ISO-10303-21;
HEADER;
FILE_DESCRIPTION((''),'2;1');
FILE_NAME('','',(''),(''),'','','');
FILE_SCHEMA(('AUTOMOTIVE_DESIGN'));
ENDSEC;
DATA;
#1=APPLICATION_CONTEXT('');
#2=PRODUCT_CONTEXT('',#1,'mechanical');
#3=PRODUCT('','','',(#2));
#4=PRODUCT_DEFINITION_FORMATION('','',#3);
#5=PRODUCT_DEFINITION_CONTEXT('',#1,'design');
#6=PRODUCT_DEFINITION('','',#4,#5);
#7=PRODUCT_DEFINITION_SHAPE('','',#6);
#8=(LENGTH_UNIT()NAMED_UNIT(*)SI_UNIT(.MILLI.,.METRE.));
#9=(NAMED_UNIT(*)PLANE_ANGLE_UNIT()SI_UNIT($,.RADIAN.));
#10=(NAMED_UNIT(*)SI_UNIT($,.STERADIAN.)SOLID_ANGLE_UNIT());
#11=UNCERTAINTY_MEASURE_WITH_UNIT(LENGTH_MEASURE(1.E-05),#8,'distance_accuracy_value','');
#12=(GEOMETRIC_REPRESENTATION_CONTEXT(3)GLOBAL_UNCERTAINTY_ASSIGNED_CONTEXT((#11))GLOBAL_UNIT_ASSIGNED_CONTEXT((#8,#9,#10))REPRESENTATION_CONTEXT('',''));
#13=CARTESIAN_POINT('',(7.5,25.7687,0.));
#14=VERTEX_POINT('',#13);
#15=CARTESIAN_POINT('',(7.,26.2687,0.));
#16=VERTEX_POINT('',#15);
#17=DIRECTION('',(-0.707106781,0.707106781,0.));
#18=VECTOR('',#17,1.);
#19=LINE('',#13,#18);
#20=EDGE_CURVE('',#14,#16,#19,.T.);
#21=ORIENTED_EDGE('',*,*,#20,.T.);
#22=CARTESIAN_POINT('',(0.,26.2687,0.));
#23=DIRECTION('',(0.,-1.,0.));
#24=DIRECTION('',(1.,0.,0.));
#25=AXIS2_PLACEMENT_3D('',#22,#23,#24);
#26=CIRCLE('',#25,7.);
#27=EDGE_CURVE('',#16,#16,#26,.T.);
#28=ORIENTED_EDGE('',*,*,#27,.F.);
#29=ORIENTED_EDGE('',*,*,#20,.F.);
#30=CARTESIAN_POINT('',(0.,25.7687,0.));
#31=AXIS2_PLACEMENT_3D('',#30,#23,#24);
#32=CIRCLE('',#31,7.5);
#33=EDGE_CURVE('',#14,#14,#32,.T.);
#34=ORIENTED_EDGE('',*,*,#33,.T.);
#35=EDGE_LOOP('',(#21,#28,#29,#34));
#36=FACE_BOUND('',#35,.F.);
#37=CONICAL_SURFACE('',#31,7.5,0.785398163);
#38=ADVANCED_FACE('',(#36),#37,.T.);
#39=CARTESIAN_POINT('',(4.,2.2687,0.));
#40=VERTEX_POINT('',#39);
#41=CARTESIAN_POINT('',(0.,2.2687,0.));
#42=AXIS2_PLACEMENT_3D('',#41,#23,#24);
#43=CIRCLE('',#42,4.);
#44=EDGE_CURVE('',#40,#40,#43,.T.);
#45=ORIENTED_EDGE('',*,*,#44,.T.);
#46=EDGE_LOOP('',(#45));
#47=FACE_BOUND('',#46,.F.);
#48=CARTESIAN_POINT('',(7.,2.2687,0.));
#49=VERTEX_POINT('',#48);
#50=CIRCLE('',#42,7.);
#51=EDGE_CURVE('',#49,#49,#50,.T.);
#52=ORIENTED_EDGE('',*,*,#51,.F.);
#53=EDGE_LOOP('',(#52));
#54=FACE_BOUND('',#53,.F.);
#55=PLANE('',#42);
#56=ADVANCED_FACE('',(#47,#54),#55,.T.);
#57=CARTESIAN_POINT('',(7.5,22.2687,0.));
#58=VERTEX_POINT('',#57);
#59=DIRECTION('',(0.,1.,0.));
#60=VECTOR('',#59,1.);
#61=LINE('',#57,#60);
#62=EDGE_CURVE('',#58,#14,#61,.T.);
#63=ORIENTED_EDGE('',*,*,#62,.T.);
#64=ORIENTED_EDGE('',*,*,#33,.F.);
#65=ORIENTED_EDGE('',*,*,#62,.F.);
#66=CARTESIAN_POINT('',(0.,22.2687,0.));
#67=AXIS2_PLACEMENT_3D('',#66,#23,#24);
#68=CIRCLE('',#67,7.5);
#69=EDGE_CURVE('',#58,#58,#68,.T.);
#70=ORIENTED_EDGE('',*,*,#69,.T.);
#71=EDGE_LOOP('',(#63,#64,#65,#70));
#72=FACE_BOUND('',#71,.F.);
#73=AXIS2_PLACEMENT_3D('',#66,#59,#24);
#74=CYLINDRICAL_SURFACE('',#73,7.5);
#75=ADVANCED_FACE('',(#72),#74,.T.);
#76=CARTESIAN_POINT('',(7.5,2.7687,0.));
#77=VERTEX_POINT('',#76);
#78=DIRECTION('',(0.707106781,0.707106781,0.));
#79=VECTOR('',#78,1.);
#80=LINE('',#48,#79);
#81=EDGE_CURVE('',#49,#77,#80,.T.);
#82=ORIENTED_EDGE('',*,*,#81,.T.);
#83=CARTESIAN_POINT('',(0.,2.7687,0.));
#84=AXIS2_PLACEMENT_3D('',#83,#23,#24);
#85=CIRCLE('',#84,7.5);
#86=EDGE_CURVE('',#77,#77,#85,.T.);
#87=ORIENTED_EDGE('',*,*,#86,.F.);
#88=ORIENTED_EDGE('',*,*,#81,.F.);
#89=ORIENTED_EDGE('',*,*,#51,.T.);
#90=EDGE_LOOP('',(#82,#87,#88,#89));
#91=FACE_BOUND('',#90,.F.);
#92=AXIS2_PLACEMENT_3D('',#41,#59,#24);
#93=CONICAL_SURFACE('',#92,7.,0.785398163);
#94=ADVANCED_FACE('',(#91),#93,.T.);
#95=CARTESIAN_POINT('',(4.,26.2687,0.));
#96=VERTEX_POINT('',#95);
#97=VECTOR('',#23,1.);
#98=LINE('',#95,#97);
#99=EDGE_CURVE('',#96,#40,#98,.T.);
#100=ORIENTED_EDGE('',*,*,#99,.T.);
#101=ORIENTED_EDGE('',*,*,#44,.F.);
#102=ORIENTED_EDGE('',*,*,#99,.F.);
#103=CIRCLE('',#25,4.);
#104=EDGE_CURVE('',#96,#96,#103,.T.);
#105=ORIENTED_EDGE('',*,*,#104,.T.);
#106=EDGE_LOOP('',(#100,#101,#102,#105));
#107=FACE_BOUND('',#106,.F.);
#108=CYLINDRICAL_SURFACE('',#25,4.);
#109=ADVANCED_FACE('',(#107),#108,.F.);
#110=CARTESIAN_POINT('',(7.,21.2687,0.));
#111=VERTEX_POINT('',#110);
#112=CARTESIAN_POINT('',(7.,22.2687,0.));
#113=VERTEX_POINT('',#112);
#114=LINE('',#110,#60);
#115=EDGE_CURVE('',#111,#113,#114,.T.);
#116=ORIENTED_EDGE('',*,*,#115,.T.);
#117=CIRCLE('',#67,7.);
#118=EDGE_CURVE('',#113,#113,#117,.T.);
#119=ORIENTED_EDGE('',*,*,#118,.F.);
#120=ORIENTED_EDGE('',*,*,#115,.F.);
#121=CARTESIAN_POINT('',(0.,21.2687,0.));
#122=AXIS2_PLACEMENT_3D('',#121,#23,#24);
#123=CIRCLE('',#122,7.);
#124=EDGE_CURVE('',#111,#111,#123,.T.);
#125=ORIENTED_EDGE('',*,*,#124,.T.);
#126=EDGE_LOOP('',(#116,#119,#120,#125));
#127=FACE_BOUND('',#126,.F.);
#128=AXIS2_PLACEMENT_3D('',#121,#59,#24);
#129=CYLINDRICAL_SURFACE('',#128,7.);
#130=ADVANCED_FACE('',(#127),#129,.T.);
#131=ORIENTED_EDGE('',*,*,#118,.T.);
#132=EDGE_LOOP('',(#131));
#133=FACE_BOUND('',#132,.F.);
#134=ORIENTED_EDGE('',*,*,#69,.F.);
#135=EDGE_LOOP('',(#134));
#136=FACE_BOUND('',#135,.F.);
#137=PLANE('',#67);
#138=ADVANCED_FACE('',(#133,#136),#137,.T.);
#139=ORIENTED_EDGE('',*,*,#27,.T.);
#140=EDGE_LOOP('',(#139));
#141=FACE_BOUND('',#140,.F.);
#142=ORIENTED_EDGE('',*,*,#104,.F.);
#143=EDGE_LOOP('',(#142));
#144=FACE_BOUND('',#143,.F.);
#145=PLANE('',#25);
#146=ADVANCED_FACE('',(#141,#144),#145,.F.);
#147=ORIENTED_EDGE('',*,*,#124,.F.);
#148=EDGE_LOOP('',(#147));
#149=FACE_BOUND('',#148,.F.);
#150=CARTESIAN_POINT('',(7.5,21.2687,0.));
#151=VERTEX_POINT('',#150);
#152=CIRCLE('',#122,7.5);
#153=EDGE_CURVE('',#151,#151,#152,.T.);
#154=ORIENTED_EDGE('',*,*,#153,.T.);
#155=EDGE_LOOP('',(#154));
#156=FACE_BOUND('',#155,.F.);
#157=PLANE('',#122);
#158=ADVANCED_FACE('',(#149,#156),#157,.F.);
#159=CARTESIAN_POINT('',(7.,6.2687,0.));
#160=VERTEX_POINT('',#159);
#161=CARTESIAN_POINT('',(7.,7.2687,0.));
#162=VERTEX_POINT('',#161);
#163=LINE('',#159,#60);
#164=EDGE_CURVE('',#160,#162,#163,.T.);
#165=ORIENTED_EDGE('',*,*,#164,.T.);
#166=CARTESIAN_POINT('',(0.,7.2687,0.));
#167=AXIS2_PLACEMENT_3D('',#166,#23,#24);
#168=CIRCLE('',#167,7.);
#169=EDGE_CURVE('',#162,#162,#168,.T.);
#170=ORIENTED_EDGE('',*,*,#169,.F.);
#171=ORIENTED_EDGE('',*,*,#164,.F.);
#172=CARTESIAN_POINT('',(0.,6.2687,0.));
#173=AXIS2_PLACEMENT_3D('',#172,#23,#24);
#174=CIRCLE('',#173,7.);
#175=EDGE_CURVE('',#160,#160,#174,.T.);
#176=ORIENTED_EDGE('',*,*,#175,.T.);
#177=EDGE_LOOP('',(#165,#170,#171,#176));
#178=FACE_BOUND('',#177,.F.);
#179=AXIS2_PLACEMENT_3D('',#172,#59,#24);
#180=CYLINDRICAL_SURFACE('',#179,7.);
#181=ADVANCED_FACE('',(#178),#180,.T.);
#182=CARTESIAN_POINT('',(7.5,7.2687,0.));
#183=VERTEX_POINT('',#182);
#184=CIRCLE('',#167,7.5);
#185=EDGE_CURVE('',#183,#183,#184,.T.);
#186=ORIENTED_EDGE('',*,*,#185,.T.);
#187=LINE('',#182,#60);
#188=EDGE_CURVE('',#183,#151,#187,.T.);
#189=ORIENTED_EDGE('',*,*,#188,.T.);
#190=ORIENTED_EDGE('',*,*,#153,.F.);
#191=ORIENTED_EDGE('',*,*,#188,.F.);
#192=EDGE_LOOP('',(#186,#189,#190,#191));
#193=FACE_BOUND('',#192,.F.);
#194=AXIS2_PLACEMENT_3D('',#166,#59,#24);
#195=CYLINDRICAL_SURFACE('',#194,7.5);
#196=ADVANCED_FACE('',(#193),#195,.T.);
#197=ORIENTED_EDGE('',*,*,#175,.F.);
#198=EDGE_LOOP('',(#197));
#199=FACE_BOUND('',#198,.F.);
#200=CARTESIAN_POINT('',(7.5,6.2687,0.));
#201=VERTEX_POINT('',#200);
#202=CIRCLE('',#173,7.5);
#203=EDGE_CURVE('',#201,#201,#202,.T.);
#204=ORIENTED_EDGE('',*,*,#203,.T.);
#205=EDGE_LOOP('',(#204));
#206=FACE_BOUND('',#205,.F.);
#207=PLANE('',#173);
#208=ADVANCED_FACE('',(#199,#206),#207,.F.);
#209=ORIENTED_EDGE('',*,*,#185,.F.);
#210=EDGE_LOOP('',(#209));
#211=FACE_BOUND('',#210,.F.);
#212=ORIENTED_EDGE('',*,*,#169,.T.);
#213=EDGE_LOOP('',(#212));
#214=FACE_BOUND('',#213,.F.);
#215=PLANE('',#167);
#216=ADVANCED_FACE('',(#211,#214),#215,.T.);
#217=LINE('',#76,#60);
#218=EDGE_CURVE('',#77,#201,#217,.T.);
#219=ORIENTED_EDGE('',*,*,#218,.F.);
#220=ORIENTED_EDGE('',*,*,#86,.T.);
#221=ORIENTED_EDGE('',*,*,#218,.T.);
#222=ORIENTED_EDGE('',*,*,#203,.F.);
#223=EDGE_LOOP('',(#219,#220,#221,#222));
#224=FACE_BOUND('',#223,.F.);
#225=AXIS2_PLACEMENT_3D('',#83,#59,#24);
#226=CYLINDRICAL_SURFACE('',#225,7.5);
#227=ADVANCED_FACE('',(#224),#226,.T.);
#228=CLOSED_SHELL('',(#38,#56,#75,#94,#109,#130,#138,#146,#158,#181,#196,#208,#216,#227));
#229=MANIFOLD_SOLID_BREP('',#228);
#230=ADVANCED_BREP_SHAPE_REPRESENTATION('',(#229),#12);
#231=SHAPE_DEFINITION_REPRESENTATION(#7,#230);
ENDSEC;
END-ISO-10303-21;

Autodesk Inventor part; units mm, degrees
ref_plane "YZ Plane" through (0, 0, 0) normal (1, 0, 0) x (0, 1, 0)
ref_plane "XZ Plane" through (0, 0, 0) normal (0, 1, 0) x (-1, 0, 0)
ref_plane "XY Plane" through (0, 0, 0) normal (0, 0, 1) x (1, 0, 0)
sketch "Sketch1" plane through (0, 0, 0) normal (0, 0, 1) x (1, 0, 0)
  line L0 (0, 21.9424) -> (0, -17.6259)
  line L1 (4, 26.2687) -> (4, 2.2687)
  line L2 (4, 2.2687) -> (7, 2.2687)
  line L3 (7, 2.2687) -> (7.5, 2.7687)
  line L4 (7.5, 2.7687) -> (7.5, 6.2687)
  line L5 (7.5, 6.2687) -> (7, 6.2687)
  line L6 (7, 6.2687) -> (7, 7.2687)
  line L7 (7, 7.2687) -> (7.5, 7.2687)
  line L8 (7.5, 7.2687) -> (7.5, 21.2687)
  line L9 (7.5, 21.2687) -> (7, 21.2687)
  line L10 (7, 21.2687) -> (7, 22.2687)
  line L11 (7, 22.2687) -> (7.5, 22.2687)
  line L12 (7.5, 22.2687) -> (7.5, 25.7687)
  line L13 (7.5, 25.7687) -> (7, 26.2687)
  line L14 (7, 26.2687) -> (4, 26.2687)
  dimension "d1" = 1
  dimension "d2" = 1
  dimension "d3" = 0.5
  dimension "d4" = 0.5
  dimension "d5" = 0.5
  dimension "d6" = 0.5
  dimension "d7" = 24
  dimension "d8" = 8
  dimension "d9" = 15
  dimension "d10" = 4
  dimension "d11" = 4
  dimension "d12" = 0.5
revolve "Revolution1" add sketch "Sketch1" angle 360 about axis through (0, 21.9424, 0) along (0, -1, 0)
properties part number "lm8uu"
